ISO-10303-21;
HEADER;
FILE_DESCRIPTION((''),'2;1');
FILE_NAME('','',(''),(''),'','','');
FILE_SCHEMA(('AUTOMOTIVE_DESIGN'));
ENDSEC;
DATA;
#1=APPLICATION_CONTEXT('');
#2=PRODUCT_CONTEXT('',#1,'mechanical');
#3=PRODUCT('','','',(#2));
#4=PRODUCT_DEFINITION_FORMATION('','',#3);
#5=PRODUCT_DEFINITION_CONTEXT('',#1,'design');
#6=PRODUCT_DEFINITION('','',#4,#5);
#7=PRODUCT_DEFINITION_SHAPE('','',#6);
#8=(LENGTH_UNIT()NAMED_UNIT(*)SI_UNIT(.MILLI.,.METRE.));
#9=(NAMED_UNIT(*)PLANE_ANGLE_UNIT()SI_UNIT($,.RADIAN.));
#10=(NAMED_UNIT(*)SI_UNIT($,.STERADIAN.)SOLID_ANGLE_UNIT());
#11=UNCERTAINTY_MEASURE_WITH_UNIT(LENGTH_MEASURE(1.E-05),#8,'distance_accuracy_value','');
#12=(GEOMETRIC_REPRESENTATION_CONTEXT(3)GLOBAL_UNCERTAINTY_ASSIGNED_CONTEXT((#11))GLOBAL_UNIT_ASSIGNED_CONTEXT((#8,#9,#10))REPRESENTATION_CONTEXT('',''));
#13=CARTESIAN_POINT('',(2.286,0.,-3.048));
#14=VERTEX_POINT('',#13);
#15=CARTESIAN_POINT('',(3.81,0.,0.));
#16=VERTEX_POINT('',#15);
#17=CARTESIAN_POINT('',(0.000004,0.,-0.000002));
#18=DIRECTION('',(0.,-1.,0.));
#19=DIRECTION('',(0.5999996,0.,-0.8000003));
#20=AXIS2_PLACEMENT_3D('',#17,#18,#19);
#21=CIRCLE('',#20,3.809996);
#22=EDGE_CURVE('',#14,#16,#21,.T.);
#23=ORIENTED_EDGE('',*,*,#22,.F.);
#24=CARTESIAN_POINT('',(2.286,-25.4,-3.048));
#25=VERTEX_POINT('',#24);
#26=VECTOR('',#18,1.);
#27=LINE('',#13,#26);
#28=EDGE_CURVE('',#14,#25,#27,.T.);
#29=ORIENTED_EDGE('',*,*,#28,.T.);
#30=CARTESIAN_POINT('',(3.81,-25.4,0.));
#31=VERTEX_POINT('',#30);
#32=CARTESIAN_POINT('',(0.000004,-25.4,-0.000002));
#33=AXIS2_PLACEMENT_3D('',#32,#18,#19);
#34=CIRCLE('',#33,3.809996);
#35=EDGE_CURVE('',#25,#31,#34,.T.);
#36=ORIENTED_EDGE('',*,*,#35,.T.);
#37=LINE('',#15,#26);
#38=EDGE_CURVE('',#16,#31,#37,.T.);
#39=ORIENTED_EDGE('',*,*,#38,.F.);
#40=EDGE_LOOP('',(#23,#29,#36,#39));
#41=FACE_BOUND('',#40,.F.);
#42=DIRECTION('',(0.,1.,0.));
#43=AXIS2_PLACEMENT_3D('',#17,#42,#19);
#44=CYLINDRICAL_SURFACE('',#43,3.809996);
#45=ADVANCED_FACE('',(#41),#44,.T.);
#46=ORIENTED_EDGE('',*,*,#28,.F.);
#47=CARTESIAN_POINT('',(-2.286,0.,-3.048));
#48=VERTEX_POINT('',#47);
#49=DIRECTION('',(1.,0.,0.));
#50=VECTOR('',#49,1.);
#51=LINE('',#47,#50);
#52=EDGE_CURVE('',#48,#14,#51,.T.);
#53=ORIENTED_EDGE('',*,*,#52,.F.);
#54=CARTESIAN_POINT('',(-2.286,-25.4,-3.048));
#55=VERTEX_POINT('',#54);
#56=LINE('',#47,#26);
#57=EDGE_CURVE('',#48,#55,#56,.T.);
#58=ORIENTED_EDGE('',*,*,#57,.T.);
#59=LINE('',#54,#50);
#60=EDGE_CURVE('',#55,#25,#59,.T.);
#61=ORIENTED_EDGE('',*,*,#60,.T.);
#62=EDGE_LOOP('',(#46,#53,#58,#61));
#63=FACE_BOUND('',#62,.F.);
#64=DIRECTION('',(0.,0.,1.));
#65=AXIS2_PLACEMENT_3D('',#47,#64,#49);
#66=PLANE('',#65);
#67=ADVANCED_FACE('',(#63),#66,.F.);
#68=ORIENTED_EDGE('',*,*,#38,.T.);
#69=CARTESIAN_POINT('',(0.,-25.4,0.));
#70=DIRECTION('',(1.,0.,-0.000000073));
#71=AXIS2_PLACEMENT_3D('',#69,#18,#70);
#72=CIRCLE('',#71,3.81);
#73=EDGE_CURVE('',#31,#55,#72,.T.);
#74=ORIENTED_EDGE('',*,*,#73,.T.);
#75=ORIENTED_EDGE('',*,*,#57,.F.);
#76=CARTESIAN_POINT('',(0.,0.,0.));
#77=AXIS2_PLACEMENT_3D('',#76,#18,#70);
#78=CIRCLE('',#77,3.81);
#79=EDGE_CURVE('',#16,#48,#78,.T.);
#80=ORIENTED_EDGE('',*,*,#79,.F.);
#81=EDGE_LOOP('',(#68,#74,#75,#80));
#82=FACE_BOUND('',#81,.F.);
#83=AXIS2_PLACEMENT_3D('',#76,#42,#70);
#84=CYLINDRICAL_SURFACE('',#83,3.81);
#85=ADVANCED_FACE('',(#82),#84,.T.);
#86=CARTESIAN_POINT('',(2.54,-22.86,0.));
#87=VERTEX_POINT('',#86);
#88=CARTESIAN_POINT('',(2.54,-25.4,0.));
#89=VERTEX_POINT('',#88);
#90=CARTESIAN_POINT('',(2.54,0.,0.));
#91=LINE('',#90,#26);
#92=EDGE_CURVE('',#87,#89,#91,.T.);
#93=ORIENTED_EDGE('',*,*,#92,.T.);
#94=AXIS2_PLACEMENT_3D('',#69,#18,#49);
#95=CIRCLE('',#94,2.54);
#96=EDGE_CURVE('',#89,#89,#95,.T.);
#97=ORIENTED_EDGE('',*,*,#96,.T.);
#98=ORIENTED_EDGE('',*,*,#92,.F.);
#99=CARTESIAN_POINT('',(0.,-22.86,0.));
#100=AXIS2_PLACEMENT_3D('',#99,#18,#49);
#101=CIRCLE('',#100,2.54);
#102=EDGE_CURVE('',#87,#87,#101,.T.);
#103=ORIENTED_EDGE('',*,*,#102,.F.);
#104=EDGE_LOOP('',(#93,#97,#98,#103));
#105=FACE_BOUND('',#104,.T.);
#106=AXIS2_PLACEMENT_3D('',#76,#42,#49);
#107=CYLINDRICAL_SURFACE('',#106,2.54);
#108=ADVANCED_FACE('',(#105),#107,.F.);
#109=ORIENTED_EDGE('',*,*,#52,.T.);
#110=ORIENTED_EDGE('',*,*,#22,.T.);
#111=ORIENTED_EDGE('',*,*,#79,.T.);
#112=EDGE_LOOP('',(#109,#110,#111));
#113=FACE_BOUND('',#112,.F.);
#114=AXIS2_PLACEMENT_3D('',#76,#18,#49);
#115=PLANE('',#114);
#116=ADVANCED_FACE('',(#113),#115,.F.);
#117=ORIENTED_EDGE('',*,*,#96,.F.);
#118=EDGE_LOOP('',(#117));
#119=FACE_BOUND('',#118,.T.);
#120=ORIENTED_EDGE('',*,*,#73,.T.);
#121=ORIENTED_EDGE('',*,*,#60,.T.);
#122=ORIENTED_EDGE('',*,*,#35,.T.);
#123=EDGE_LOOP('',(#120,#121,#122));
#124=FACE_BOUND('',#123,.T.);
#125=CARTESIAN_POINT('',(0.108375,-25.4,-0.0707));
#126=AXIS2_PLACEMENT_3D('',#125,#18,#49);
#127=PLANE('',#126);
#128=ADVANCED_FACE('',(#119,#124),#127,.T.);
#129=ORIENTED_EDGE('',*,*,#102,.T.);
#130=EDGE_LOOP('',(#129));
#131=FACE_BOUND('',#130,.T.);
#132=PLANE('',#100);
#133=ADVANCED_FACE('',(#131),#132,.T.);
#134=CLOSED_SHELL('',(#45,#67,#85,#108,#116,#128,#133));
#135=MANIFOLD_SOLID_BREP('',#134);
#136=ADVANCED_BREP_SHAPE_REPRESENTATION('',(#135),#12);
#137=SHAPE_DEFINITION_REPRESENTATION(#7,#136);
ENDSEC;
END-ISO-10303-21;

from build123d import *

# Parameters (mm, degrees)
F0_R     = 2.54
F1_DEPTH = 25.4
F2_DEPTH = 22.86


with BuildPart() as f1:
    # F0 (on Front) → F1 (new body)
    with BuildSketch(Plane.XZ):
        with BuildLine():
            ThreePointArc((2.286, -3.048), (3.407768, -1.703884), (3.81, 0))
            ThreePointArc((3.81, 0), (-1.703884, 3.407768), (-2.286, -3.048))
            Line((-2.286, -3.048), (2.286, -3.048))
        make_face()
        Circle(F0_R, mode=Mode.SUBTRACT)
    extrude(amount=F1_DEPTH)

    # F0 (on Front) → F2 (join)
    with BuildSketch(Plane.XZ):
        Circle(F0_R)
    extrude(amount=F2_DEPTH)


solid = f1.part
